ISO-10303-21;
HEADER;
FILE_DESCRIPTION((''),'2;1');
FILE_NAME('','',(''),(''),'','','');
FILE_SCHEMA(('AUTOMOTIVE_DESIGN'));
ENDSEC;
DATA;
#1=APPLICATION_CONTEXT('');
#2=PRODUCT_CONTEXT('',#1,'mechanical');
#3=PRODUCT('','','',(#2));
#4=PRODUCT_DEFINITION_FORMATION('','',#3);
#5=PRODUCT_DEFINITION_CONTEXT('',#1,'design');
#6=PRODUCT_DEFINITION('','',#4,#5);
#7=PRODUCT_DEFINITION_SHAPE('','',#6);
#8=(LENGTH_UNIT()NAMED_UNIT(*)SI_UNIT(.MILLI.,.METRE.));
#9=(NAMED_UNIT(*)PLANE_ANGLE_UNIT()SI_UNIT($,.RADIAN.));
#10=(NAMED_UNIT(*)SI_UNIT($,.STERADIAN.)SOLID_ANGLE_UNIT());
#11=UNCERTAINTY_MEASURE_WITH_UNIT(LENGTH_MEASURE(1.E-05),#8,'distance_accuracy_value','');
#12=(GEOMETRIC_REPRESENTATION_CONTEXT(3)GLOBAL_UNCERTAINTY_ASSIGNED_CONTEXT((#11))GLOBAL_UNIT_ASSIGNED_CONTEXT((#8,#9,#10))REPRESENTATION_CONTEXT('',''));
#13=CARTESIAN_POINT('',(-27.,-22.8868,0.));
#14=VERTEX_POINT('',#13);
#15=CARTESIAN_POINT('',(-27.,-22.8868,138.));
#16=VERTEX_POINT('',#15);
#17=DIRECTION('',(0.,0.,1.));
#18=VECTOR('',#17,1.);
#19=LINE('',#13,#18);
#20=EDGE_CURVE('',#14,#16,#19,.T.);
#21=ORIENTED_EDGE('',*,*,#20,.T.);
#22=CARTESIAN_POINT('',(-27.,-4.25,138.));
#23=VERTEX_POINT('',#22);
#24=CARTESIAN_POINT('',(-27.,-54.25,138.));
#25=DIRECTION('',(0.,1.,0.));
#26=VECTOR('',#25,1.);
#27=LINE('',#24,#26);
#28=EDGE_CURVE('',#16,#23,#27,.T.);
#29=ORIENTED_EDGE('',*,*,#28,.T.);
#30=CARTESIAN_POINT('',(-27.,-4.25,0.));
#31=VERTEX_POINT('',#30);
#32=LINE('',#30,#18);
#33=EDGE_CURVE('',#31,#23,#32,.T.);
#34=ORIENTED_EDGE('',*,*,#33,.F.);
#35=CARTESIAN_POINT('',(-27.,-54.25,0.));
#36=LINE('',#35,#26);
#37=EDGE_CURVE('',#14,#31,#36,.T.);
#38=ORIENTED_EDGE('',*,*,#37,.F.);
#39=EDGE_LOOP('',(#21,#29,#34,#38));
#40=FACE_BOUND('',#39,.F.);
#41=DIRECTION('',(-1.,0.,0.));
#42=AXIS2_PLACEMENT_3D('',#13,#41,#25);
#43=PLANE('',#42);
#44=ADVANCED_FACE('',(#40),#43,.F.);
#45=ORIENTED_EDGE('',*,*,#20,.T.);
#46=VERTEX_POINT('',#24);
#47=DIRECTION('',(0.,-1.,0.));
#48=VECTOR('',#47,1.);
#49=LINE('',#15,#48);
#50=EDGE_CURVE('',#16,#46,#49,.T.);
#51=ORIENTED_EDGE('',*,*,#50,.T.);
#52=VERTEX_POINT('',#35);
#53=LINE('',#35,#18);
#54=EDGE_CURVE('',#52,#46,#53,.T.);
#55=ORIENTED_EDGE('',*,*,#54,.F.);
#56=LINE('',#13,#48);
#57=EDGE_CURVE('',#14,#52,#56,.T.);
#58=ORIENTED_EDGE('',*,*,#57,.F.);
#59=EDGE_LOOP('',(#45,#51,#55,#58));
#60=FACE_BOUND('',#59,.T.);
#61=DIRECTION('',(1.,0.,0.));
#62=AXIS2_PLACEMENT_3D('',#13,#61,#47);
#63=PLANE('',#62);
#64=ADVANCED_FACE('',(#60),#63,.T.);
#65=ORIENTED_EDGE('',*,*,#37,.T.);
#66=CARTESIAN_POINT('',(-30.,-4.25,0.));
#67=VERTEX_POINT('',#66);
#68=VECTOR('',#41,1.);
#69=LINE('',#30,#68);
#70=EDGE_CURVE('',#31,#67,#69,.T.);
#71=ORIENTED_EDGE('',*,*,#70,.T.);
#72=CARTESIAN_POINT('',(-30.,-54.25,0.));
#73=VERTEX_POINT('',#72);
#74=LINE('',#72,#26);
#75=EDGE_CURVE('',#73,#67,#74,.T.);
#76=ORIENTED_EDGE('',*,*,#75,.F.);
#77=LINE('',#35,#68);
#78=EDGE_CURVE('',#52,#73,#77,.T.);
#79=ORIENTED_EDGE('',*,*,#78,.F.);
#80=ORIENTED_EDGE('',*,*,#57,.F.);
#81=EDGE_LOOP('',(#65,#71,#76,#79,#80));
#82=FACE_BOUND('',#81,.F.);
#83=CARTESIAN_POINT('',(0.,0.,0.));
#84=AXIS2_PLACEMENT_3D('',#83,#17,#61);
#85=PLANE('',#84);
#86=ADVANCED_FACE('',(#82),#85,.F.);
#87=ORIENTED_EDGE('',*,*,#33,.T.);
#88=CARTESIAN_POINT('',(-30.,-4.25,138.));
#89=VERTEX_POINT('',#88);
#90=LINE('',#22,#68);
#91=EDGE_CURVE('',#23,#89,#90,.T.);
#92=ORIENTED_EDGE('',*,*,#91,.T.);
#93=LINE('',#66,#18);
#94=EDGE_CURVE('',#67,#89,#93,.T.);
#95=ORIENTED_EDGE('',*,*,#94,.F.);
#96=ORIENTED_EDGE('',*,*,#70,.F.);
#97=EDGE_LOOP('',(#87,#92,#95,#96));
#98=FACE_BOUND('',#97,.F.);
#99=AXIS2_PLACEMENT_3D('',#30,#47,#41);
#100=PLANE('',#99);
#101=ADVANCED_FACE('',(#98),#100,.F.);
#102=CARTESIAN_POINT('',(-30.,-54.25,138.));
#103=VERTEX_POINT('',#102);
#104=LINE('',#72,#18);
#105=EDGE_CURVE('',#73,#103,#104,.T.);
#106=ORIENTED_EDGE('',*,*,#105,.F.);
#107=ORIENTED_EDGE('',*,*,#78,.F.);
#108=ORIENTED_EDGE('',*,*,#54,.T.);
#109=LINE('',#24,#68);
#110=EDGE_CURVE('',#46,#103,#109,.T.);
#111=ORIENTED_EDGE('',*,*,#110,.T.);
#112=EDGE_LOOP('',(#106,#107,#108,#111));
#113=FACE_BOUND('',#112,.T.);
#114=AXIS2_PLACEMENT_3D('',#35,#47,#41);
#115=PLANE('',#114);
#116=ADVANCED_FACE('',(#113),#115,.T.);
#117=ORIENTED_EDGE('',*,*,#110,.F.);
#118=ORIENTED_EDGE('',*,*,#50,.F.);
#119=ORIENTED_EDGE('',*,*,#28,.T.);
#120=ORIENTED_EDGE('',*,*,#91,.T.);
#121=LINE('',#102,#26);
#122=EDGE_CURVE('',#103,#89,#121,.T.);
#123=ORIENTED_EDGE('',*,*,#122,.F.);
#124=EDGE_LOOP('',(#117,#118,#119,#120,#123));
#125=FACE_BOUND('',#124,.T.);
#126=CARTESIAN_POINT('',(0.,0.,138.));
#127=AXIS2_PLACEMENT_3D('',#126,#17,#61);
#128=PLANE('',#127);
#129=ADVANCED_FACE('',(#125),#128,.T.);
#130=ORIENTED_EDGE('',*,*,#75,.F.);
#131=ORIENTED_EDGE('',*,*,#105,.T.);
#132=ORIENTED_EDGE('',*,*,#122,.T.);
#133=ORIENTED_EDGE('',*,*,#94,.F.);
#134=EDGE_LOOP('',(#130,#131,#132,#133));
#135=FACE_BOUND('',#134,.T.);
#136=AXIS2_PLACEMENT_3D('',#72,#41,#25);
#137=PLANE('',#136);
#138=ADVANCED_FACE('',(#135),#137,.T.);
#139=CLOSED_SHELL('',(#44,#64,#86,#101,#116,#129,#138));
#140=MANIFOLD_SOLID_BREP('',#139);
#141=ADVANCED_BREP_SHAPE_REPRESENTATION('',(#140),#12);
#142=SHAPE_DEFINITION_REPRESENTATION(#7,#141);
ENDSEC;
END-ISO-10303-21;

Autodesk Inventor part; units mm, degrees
ref_plane "YZ Plane" through (0, 0, 0) normal (1, 0, 0) x (0, 1, 0)
ref_plane "XZ Plane" through (0, 0, 0) normal (0, 1, 0) x (-1, 0, 0)
ref_plane "XY Plane" through (0, 0, 0) normal (0, 0, 1) x (1, 0, 0)
sketch "Esboço1" plane through (0, 0, 0) normal (0, 0, 1) x (1, 0, 0)
  line L0 (2.5785, 54.25) -> (22.6, 54.25) projected
  arc A0 (30, 46.85) -> (22.6, 54.25) centre (22.6, 46.85) ccw projected
  line L1 (-4.9941, -1.6438) -> (-12.1764, -3.5683) projected
  line L2 (-27, -22.8868) -> (-27, -54.25) projected
  line L3 (-27, -54.25) -> (-30, -54.25) projected
  line L4 (-30, -54.25) -> (-30, 1.15) projected
  line L5 (-25, 6.15) -> (-14.8, 6.15) projected
  arc A1 (-14.8, 6.15) -> (-11.2, 9.75) centre (-14.8, 9.75) ccw projected
  line L6 (-11.2, 9.75) -> (-11.2, 44.0112) projected
  line L7 (-8.7623, 48.3048) -> (0.0162, 53.5436) projected
  circle A2 centre (22.6, 46.85) radius 0.8 projected
  line L8 (-30, -54.25) -> (-27, -54.25)
  line L9 (-27, -54.25) -> (-27, -4.25)
  line L10 (-27, -4.25) -> (-30, -4.25)
  line L11 (-30, -4.25) -> (-30, -54.25)
  arc A3 (-25, 6.15) -> (-30, 1.15) centre (-25, 1.15) ccw projected
  arc A4 (-8.7623, 48.3048) -> (-11.2, 44.0112) centre (-6.2, 44.0112) ccw projected
  arc A5 (2.5785, 54.25) -> (0.0162, 53.5436) centre (2.5785, 49.25) ccw projected
  arc A6 (-12.1764, -3.5683) -> (-27, -22.8868) centre (-7, -22.8868) ccw projected
  line L12 (30, -54.25) -> (19.6, -54.25) projected
  line L13 (19.6, -54.25) -> (19.6, -22.8868) projected
  arc A7 (19.6, -22.8868) -> (4.7764, -3.5683) centre (-0.4, -22.8868) ccw projected
  line L14 (4.7764, -3.5683) -> (-2.4059, -1.6438) projected
  arc A8 (-2.4059, -1.6438) -> (-4.9941, -1.6438) centre (-3.7, -6.4734) ccw projected
  line L15 (30, 46.85) -> (30, -54.25) projected
  point P0 (0, 0)
  dimension "d0" = 50
extrude "Extrusão1" add sketch "Esboço1" along normal blind 138 contours L10 L9 L2 L3 L4
properties part number "guarrale"
